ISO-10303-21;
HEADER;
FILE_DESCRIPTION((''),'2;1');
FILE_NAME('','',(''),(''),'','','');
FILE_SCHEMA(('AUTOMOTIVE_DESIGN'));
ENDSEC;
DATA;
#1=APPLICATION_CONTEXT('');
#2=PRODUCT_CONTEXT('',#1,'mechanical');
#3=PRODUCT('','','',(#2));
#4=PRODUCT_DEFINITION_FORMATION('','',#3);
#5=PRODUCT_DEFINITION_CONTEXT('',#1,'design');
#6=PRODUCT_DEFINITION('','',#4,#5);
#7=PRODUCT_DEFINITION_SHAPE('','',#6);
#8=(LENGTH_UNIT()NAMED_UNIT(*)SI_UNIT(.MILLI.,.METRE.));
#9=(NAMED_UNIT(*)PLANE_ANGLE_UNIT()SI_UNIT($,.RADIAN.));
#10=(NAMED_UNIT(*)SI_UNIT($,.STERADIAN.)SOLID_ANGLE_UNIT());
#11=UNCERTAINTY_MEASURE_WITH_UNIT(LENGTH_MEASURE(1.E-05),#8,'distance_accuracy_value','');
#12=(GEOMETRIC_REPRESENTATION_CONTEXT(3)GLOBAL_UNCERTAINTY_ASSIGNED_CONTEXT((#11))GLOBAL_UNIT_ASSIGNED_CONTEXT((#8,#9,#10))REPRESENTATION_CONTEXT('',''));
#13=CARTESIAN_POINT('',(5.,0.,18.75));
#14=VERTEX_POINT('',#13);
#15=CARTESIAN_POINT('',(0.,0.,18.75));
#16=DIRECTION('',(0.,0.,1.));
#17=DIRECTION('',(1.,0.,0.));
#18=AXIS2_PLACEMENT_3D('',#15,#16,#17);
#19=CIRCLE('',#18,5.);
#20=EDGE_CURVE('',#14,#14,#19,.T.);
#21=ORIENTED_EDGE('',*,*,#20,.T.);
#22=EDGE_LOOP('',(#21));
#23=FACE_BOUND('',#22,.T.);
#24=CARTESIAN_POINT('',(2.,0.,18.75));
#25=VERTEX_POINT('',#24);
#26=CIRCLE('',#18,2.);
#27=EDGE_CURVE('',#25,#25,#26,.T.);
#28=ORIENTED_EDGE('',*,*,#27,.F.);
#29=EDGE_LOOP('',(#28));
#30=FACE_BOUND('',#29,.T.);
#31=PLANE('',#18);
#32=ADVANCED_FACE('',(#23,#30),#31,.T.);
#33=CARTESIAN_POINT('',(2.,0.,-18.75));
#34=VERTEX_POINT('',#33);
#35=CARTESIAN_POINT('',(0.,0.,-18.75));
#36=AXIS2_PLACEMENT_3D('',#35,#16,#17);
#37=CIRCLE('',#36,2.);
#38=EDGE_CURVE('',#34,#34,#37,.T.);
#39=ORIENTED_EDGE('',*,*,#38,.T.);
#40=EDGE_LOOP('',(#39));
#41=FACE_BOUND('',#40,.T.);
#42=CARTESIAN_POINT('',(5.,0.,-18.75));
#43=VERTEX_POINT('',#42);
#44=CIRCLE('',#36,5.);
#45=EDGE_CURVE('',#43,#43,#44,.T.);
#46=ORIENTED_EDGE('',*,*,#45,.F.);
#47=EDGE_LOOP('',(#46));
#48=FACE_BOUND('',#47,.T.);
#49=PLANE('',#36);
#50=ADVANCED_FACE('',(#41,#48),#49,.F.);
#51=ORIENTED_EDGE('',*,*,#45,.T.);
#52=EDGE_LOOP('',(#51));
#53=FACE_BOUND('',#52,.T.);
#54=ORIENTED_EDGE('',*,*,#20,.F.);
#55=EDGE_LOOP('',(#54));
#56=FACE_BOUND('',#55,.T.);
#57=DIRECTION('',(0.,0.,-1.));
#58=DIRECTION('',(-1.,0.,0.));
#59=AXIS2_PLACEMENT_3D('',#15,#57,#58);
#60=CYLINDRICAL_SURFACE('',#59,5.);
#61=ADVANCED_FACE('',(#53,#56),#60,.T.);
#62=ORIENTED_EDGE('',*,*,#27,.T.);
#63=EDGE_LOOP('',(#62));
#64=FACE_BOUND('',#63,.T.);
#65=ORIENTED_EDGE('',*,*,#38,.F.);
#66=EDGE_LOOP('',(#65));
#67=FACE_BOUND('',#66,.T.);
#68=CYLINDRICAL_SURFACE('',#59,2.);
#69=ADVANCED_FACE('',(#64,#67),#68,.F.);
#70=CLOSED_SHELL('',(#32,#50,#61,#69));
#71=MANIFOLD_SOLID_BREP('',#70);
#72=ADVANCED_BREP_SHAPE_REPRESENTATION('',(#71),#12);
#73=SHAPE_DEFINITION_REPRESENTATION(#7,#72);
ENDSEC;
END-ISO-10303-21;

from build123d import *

# Parameters (mm, degrees)
SKETCH1_R           = 5
SKETCH1_R_2         = 2
BOSS_EXTRUDE1_DEPTH = 18.75


with BuildPart() as part:
    # Sketch1 → Boss-Extrude1 (new body, symmetric)
    with BuildSketch(Plane.XY):
        Circle(SKETCH1_R)
        Circle(SKETCH1_R_2, mode=Mode.SUBTRACT)
    extrude(amount=BOSS_EXTRUDE1_DEPTH, both=True)


solid = part.part
